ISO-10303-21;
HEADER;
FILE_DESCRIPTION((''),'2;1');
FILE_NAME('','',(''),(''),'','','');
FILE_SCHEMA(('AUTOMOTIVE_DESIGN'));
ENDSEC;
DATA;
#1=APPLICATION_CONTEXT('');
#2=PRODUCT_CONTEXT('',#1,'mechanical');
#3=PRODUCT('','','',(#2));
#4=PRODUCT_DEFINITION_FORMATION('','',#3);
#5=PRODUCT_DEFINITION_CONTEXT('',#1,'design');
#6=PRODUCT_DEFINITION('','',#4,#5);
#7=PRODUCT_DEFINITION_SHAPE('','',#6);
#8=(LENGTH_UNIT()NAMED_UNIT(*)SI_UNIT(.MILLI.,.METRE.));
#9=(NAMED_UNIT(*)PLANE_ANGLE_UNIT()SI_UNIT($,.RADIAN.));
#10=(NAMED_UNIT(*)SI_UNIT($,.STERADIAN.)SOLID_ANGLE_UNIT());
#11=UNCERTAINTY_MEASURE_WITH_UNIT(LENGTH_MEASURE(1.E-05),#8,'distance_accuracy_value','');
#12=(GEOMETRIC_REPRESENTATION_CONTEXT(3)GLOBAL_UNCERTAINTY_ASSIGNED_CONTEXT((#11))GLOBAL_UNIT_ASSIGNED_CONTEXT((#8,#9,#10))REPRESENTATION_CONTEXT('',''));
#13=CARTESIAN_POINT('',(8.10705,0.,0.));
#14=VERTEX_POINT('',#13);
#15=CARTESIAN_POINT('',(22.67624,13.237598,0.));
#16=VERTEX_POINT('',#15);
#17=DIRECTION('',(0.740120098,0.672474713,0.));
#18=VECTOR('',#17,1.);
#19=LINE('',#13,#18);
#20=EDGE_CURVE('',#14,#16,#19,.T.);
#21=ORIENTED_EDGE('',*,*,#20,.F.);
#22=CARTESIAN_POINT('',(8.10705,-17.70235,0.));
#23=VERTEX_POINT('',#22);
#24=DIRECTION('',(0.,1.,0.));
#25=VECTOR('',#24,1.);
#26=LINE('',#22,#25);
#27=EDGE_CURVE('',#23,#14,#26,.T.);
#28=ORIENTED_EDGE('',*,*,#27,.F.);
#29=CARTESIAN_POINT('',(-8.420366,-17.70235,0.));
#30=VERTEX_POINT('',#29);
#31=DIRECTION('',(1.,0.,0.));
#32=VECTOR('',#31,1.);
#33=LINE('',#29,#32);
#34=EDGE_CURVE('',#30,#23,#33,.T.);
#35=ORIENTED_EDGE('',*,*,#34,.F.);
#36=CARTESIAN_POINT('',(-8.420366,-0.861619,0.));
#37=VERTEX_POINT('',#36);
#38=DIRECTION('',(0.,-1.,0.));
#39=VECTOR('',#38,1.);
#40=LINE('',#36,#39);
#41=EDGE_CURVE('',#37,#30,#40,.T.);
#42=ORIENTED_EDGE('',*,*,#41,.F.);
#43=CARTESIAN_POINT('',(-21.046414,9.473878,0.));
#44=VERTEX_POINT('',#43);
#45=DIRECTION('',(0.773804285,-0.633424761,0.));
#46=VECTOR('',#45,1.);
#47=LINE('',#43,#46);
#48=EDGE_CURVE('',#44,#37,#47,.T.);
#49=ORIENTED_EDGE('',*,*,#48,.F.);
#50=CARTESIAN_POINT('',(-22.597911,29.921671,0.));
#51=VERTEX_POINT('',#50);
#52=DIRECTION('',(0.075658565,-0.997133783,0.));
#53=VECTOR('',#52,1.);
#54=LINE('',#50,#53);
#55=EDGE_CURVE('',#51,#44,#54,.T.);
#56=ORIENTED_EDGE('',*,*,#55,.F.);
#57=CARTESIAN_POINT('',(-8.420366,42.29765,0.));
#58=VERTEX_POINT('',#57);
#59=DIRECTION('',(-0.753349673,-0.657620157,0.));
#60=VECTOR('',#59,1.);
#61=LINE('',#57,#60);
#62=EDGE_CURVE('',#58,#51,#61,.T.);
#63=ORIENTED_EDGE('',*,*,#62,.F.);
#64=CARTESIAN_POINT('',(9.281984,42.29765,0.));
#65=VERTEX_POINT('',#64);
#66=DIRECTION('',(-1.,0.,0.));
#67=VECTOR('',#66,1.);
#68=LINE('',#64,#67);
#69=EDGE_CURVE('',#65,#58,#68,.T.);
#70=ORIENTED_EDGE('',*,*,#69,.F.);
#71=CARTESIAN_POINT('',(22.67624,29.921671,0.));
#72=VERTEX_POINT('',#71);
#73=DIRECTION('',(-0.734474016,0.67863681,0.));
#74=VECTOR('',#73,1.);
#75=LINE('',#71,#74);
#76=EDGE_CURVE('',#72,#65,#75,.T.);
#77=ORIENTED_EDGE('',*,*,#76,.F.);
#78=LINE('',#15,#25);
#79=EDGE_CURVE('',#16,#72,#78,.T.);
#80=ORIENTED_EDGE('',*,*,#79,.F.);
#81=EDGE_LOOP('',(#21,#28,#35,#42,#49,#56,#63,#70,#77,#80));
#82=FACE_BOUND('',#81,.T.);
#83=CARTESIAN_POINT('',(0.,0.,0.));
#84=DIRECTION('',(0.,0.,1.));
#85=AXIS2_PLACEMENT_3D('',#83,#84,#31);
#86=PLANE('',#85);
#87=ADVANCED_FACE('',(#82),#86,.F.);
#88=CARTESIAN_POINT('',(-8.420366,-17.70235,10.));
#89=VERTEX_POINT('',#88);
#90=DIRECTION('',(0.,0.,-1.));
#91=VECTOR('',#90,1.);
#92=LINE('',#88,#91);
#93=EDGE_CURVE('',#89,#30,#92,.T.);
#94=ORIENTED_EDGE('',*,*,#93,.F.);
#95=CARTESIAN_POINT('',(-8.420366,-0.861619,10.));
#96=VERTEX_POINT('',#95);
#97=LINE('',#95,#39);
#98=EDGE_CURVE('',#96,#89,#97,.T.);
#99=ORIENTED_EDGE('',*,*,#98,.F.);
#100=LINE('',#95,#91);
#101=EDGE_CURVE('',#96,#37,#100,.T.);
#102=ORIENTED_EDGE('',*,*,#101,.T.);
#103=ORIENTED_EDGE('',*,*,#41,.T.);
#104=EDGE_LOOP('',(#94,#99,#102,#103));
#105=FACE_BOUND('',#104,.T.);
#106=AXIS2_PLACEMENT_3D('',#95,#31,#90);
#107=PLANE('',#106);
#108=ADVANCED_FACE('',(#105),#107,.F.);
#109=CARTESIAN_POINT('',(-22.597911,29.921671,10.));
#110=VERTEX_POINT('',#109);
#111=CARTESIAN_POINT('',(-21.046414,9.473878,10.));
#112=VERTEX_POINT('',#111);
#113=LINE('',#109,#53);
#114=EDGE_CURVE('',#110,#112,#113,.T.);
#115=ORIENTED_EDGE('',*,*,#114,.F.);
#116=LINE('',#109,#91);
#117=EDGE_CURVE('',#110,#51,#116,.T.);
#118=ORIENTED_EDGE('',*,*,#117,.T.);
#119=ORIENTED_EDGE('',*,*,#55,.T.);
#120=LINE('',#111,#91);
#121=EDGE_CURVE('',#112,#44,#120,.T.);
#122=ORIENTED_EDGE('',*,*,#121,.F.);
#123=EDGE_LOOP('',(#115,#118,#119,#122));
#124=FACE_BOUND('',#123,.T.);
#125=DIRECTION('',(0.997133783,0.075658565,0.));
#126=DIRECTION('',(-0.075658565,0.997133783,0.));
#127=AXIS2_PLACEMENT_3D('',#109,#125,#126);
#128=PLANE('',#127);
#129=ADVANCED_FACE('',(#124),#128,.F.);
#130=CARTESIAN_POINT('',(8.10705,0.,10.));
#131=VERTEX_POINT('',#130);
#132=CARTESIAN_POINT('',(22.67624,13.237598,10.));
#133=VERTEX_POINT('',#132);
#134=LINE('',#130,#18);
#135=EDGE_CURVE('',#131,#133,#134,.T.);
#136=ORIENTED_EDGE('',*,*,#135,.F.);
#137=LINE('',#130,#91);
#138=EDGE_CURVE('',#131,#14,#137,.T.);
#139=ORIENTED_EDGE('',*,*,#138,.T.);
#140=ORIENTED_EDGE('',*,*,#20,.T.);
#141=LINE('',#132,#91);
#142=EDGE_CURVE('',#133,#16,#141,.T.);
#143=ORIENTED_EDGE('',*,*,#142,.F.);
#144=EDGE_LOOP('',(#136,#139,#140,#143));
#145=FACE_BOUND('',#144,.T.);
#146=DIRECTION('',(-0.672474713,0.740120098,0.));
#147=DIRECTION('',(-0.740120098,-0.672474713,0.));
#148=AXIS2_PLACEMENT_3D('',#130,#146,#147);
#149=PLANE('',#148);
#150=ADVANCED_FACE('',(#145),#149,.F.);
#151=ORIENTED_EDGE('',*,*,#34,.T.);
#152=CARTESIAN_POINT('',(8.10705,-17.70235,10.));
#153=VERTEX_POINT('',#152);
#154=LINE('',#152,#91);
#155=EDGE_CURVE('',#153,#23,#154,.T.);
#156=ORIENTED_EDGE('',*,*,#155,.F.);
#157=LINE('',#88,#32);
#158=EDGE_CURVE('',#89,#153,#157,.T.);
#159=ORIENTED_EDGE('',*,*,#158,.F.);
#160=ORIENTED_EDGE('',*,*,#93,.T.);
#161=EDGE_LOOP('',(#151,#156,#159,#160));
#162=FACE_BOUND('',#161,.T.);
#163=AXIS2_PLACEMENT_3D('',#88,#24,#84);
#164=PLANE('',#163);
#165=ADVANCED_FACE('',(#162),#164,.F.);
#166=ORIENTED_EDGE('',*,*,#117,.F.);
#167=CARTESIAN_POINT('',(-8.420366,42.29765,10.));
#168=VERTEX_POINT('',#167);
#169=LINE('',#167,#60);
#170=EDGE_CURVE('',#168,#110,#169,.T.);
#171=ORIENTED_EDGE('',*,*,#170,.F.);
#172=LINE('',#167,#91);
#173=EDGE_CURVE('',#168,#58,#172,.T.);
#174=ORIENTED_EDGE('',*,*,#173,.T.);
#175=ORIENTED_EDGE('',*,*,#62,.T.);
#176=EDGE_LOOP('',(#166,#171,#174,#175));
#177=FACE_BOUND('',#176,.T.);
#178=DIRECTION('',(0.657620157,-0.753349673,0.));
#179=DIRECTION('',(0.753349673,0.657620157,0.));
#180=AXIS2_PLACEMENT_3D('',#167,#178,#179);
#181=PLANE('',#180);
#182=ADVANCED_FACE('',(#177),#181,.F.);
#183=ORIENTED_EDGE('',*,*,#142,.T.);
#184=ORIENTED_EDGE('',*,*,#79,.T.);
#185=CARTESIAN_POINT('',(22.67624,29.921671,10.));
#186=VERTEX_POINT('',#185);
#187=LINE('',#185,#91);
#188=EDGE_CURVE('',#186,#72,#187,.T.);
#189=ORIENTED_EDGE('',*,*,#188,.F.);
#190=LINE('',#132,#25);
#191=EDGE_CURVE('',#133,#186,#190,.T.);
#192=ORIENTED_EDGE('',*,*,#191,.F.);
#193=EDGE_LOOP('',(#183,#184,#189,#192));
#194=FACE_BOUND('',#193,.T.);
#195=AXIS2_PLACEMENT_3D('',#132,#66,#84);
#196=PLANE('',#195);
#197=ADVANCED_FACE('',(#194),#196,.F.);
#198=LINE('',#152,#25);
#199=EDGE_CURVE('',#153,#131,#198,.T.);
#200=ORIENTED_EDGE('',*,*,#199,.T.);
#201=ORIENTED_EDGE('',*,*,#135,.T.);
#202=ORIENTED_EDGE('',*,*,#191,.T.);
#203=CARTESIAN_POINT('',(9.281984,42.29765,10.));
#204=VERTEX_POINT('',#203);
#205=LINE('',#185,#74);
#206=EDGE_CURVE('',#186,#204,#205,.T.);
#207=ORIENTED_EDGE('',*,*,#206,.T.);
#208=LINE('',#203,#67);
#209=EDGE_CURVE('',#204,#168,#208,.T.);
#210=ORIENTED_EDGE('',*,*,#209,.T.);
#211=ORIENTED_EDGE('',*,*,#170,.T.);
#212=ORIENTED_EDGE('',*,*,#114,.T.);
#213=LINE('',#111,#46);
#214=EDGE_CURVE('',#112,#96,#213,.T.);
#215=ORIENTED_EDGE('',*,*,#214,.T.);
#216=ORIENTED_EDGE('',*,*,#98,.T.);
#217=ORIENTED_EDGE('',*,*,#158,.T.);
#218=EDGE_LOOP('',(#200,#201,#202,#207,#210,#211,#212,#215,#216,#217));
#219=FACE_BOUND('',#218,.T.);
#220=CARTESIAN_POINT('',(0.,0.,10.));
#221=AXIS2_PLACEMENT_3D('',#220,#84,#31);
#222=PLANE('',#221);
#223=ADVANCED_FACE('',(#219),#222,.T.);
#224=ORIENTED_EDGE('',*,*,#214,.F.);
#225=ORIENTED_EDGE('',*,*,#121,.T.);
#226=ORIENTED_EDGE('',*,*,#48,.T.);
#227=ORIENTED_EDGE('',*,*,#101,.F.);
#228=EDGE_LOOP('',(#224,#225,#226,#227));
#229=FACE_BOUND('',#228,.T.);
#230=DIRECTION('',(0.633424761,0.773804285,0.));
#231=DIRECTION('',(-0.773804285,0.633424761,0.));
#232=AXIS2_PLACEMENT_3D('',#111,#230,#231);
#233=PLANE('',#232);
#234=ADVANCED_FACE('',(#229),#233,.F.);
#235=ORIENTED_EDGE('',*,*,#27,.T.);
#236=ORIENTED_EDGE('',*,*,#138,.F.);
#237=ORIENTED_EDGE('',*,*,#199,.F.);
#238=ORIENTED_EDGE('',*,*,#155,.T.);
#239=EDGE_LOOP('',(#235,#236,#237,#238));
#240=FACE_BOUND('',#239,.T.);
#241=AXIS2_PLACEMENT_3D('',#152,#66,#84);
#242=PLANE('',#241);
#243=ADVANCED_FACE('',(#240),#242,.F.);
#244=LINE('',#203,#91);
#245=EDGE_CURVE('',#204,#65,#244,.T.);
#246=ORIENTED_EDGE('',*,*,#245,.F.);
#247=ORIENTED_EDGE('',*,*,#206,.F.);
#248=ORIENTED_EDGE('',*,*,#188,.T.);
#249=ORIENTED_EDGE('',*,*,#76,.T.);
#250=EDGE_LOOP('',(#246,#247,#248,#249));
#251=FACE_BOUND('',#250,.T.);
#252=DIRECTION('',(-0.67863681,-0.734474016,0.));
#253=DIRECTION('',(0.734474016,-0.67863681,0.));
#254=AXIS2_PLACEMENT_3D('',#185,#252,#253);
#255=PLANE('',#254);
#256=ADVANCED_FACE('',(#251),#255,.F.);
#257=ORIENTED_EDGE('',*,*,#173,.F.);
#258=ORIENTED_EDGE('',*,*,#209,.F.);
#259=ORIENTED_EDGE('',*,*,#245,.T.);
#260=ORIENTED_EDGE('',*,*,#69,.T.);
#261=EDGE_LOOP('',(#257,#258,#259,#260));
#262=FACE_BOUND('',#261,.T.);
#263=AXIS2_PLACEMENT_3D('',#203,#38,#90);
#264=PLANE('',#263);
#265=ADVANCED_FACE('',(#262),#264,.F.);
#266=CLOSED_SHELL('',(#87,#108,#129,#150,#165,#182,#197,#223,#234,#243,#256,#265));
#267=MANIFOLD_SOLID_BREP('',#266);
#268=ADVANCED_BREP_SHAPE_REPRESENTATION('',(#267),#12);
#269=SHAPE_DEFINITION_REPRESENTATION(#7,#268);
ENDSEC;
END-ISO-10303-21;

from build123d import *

# Parameters (mm, degrees)
EXTRUDE_1_DEPTH = 10


with BuildPart() as part:
    # 草图1 → 凸台-拉伸1 (new body)
    with BuildSketch(Plane.XY):
        Polygon((-8.420365535, -0.861618799), (-8.420365535, -17.702349869), (8.107049608, -17.702349869), (8.107049608, 0), (22.676240209, 13.237597911), (22.676240209, 29.921671018), (9.281984334, 42.297650131), (-8.420365535, 42.297650131), (-22.597911227, 29.921671018), (-21.046413588, 9.473877695), align=None)
    extrude(amount=EXTRUDE_1_DEPTH)


solid = part.part
